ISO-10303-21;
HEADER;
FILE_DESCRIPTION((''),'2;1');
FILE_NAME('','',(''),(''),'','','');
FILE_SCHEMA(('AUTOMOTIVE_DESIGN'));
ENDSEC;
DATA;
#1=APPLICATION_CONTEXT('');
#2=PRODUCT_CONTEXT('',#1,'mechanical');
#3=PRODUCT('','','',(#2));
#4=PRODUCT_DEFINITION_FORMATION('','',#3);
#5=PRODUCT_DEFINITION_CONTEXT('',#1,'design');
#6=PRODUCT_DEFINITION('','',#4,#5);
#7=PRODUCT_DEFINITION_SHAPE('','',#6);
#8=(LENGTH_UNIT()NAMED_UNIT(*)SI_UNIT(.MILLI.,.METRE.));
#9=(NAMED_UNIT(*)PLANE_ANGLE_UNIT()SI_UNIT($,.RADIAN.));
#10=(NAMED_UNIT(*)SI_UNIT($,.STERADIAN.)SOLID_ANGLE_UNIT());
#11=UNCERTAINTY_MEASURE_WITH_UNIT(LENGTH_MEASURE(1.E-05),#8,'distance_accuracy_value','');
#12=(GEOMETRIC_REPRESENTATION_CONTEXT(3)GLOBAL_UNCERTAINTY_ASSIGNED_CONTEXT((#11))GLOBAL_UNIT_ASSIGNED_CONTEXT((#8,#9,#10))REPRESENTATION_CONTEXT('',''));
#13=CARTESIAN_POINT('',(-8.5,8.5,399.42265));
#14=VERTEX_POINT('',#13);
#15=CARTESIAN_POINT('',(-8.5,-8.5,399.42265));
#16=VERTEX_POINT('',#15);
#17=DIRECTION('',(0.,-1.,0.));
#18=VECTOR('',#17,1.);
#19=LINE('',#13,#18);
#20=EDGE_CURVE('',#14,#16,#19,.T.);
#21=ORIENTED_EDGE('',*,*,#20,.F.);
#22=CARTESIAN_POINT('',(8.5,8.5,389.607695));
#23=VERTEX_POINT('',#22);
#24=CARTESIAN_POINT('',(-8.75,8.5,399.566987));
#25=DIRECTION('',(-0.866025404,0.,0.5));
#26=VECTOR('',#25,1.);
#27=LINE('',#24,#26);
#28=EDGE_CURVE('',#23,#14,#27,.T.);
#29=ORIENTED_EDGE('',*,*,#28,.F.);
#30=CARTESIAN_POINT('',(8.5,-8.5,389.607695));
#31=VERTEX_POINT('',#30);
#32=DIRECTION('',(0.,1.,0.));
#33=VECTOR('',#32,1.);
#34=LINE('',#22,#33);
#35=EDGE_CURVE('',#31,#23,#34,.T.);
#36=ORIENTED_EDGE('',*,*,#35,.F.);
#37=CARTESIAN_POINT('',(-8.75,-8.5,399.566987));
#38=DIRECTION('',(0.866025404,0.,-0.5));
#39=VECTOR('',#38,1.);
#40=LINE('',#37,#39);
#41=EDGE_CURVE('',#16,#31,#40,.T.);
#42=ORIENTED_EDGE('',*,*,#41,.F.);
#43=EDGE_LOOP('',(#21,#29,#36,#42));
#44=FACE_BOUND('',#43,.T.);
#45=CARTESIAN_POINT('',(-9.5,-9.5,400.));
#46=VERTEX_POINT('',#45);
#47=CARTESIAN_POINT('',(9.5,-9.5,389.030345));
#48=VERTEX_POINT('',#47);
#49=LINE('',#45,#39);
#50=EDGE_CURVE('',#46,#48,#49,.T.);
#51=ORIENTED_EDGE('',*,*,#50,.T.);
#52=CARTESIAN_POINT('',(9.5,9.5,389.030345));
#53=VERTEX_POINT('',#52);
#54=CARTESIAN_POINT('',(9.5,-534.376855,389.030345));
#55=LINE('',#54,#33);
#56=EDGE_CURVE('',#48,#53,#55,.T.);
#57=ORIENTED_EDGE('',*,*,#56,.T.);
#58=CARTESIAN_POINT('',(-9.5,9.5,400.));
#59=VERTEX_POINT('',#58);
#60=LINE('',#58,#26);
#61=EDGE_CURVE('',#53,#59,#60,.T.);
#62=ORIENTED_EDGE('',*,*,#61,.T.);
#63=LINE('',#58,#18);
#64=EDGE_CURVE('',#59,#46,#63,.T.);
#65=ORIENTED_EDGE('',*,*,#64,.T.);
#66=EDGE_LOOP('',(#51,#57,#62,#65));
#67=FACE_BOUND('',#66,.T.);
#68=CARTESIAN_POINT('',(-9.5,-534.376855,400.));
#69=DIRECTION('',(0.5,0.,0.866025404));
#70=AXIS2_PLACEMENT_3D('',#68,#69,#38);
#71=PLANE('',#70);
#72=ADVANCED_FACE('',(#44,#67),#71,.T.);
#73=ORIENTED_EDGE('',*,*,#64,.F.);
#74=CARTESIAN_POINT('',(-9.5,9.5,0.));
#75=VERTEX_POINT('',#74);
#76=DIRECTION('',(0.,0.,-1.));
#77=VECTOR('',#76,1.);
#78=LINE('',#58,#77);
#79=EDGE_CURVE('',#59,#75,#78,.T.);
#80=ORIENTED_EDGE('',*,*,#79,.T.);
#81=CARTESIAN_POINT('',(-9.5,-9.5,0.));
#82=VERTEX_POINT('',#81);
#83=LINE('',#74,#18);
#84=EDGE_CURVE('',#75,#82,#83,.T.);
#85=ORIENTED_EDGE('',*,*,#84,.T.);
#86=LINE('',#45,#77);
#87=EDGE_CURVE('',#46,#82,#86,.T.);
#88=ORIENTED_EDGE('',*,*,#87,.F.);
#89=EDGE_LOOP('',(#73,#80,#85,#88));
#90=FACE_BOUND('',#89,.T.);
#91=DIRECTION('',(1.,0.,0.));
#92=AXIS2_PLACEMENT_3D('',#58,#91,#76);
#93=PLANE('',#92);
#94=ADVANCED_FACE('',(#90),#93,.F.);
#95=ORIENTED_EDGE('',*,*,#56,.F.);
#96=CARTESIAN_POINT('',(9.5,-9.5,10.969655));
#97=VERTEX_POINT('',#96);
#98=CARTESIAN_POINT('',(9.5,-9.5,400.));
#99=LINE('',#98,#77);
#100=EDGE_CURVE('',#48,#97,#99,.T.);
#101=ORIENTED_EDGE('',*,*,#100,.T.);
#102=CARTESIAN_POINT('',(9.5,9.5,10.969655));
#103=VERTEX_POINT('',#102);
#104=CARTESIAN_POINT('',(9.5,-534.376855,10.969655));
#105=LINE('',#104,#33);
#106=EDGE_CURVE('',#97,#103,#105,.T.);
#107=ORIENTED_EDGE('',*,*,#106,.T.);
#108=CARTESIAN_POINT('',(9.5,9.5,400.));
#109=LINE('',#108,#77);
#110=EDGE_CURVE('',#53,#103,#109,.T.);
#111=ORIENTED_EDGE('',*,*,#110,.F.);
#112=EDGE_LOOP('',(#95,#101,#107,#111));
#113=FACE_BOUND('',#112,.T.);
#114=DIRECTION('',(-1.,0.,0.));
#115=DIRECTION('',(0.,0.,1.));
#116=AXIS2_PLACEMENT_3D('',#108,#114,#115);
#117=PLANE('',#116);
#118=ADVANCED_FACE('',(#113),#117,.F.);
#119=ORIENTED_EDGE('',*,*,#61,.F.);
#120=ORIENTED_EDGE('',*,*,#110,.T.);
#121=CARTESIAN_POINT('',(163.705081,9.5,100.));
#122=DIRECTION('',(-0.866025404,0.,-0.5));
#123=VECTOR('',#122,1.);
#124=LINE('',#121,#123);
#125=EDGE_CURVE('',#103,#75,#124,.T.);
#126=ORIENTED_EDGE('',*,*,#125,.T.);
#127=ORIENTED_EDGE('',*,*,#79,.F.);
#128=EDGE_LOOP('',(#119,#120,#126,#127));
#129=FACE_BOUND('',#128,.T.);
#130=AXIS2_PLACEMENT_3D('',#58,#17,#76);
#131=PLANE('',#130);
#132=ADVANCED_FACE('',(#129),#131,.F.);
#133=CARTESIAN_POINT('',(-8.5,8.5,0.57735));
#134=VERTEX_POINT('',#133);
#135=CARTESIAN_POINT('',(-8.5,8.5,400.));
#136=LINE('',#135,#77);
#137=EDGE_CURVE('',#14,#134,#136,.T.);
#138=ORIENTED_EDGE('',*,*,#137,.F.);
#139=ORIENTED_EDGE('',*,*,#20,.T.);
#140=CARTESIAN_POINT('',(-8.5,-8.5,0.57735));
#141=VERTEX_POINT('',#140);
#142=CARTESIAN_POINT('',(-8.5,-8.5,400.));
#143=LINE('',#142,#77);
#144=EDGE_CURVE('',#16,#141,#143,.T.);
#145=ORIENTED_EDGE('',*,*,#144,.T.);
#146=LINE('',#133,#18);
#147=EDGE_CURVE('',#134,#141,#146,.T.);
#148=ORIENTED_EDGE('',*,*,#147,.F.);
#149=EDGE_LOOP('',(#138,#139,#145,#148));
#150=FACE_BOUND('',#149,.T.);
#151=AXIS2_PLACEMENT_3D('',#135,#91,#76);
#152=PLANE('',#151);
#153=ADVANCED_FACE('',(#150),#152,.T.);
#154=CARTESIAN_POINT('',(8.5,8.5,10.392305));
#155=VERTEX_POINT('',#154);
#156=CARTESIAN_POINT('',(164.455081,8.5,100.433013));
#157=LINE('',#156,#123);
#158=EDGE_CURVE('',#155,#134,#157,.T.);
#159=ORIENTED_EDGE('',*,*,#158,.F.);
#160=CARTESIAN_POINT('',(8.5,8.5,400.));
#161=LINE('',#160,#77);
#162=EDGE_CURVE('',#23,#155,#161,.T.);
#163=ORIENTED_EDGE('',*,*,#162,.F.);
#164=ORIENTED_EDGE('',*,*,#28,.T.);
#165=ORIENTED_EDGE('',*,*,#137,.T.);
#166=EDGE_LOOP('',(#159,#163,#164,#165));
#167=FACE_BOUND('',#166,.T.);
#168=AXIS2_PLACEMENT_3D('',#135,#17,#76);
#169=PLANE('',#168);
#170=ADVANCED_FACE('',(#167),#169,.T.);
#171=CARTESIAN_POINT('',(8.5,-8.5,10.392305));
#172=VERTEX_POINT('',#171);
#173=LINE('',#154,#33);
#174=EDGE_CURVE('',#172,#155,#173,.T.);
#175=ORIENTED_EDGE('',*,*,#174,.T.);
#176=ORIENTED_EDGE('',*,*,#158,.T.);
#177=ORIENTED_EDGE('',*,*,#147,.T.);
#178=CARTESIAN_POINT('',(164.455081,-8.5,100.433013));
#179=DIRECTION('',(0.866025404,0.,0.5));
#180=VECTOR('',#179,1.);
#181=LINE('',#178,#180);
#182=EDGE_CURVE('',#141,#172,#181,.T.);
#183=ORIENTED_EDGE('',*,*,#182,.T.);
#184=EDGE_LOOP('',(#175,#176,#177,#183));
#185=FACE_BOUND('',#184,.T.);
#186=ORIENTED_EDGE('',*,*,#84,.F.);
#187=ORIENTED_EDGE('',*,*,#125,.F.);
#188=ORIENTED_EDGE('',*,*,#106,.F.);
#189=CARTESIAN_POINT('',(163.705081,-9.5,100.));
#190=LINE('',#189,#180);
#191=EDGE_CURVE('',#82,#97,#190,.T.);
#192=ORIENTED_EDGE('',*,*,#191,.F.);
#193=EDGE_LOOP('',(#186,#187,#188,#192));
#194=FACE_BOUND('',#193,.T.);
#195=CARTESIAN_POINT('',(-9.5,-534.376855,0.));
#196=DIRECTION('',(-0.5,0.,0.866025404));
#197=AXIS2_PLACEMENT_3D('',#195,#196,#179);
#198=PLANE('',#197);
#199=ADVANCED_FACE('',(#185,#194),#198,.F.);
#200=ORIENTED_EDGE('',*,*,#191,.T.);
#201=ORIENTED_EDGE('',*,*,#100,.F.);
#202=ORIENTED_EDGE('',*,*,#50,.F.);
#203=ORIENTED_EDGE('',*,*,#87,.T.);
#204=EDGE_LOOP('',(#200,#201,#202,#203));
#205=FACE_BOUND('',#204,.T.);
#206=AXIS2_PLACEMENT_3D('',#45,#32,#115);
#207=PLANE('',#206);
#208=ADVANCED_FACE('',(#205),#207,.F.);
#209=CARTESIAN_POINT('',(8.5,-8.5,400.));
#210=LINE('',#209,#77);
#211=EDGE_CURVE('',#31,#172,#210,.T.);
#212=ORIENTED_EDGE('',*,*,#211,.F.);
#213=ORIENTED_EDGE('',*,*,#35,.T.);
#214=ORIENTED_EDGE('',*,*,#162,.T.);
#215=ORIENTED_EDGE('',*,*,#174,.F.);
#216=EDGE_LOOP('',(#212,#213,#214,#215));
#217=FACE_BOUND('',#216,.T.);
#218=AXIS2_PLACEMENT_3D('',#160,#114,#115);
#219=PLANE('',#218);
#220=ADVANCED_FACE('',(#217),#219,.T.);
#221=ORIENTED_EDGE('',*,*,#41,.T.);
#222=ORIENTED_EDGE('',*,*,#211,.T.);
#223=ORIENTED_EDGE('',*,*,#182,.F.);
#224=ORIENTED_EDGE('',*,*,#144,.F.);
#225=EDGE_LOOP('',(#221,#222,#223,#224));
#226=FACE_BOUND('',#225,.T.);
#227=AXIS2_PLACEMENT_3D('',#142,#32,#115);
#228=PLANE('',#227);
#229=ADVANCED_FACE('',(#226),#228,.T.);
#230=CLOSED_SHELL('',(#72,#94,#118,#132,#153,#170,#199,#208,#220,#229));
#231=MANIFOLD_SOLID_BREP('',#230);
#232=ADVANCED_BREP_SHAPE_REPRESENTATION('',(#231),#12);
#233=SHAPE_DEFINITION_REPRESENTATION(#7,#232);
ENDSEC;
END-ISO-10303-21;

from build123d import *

# Parameters (mm, degrees)
SKETCH1_W               = 19
SKETCH1_H               = 19
SKETCH1_W_2             = 17
SKETCH1_H_2             = 17
BOSS_EXTRUDE1_DEPTH     = 400
CUT_EXTRUDE3_DEPTH      = 1
CUT_EXTRUDE3_DEPTH_BACK = 20
CUT_EXTRUDE4_DEPTH      = 1
CUT_EXTRUDE4_DEPTH_BACK = 20


with BuildPart() as part:
    # Sketch1 → Boss-Extrude1 (new body)
    with BuildSketch(Plane.XY):
        Rectangle(SKETCH1_W, SKETCH1_H)
        Rectangle(SKETCH1_W_2, SKETCH1_H_2, mode=Mode.SUBTRACT)
    extrude(amount=BOSS_EXTRUDE1_DEPTH)

    # Sketch2 → Cut-Extrude3 (cut, two sides)
    with BuildSketch(Plane.XZ.offset(9.5)) as cut_extrude3_sk:
        Polygon((-711.761724625, -405.450995754), (-9.5, 0), (9.5, 10.969655115), (711.761724625, 416.420650868), (1522.663716132, -988.102798381), (99.140266883, -1809.974445003), align=None)
    extrude(amount=CUT_EXTRUDE3_DEPTH, mode=Mode.SUBTRACT)
    extrude(cut_extrude3_sk.sketch, amount=-CUT_EXTRUDE3_DEPTH_BACK, mode=Mode.SUBTRACT)

    # Sketch3 → Cut-Extrude4 (cut, two sides)
    with BuildSketch(Plane(origin=(0, -9.5, 0), x_dir=(-1, 0, 0), z_dir=(0, -1, 0))) as cut_extrude4_sk:
        Polygon((711.761724625, -805.450995754), (9.5, -400), (-9.5, -389.030344885), (-711.761724625, 16.420650868), (-1522.663716132, -1388.102798381), (-99.140266883, -2209.974445003), align=None)
    extrude(amount=CUT_EXTRUDE4_DEPTH, mode=Mode.SUBTRACT)
    extrude(cut_extrude4_sk.sketch, amount=-CUT_EXTRUDE4_DEPTH_BACK, mode=Mode.SUBTRACT)


solid = part.part
